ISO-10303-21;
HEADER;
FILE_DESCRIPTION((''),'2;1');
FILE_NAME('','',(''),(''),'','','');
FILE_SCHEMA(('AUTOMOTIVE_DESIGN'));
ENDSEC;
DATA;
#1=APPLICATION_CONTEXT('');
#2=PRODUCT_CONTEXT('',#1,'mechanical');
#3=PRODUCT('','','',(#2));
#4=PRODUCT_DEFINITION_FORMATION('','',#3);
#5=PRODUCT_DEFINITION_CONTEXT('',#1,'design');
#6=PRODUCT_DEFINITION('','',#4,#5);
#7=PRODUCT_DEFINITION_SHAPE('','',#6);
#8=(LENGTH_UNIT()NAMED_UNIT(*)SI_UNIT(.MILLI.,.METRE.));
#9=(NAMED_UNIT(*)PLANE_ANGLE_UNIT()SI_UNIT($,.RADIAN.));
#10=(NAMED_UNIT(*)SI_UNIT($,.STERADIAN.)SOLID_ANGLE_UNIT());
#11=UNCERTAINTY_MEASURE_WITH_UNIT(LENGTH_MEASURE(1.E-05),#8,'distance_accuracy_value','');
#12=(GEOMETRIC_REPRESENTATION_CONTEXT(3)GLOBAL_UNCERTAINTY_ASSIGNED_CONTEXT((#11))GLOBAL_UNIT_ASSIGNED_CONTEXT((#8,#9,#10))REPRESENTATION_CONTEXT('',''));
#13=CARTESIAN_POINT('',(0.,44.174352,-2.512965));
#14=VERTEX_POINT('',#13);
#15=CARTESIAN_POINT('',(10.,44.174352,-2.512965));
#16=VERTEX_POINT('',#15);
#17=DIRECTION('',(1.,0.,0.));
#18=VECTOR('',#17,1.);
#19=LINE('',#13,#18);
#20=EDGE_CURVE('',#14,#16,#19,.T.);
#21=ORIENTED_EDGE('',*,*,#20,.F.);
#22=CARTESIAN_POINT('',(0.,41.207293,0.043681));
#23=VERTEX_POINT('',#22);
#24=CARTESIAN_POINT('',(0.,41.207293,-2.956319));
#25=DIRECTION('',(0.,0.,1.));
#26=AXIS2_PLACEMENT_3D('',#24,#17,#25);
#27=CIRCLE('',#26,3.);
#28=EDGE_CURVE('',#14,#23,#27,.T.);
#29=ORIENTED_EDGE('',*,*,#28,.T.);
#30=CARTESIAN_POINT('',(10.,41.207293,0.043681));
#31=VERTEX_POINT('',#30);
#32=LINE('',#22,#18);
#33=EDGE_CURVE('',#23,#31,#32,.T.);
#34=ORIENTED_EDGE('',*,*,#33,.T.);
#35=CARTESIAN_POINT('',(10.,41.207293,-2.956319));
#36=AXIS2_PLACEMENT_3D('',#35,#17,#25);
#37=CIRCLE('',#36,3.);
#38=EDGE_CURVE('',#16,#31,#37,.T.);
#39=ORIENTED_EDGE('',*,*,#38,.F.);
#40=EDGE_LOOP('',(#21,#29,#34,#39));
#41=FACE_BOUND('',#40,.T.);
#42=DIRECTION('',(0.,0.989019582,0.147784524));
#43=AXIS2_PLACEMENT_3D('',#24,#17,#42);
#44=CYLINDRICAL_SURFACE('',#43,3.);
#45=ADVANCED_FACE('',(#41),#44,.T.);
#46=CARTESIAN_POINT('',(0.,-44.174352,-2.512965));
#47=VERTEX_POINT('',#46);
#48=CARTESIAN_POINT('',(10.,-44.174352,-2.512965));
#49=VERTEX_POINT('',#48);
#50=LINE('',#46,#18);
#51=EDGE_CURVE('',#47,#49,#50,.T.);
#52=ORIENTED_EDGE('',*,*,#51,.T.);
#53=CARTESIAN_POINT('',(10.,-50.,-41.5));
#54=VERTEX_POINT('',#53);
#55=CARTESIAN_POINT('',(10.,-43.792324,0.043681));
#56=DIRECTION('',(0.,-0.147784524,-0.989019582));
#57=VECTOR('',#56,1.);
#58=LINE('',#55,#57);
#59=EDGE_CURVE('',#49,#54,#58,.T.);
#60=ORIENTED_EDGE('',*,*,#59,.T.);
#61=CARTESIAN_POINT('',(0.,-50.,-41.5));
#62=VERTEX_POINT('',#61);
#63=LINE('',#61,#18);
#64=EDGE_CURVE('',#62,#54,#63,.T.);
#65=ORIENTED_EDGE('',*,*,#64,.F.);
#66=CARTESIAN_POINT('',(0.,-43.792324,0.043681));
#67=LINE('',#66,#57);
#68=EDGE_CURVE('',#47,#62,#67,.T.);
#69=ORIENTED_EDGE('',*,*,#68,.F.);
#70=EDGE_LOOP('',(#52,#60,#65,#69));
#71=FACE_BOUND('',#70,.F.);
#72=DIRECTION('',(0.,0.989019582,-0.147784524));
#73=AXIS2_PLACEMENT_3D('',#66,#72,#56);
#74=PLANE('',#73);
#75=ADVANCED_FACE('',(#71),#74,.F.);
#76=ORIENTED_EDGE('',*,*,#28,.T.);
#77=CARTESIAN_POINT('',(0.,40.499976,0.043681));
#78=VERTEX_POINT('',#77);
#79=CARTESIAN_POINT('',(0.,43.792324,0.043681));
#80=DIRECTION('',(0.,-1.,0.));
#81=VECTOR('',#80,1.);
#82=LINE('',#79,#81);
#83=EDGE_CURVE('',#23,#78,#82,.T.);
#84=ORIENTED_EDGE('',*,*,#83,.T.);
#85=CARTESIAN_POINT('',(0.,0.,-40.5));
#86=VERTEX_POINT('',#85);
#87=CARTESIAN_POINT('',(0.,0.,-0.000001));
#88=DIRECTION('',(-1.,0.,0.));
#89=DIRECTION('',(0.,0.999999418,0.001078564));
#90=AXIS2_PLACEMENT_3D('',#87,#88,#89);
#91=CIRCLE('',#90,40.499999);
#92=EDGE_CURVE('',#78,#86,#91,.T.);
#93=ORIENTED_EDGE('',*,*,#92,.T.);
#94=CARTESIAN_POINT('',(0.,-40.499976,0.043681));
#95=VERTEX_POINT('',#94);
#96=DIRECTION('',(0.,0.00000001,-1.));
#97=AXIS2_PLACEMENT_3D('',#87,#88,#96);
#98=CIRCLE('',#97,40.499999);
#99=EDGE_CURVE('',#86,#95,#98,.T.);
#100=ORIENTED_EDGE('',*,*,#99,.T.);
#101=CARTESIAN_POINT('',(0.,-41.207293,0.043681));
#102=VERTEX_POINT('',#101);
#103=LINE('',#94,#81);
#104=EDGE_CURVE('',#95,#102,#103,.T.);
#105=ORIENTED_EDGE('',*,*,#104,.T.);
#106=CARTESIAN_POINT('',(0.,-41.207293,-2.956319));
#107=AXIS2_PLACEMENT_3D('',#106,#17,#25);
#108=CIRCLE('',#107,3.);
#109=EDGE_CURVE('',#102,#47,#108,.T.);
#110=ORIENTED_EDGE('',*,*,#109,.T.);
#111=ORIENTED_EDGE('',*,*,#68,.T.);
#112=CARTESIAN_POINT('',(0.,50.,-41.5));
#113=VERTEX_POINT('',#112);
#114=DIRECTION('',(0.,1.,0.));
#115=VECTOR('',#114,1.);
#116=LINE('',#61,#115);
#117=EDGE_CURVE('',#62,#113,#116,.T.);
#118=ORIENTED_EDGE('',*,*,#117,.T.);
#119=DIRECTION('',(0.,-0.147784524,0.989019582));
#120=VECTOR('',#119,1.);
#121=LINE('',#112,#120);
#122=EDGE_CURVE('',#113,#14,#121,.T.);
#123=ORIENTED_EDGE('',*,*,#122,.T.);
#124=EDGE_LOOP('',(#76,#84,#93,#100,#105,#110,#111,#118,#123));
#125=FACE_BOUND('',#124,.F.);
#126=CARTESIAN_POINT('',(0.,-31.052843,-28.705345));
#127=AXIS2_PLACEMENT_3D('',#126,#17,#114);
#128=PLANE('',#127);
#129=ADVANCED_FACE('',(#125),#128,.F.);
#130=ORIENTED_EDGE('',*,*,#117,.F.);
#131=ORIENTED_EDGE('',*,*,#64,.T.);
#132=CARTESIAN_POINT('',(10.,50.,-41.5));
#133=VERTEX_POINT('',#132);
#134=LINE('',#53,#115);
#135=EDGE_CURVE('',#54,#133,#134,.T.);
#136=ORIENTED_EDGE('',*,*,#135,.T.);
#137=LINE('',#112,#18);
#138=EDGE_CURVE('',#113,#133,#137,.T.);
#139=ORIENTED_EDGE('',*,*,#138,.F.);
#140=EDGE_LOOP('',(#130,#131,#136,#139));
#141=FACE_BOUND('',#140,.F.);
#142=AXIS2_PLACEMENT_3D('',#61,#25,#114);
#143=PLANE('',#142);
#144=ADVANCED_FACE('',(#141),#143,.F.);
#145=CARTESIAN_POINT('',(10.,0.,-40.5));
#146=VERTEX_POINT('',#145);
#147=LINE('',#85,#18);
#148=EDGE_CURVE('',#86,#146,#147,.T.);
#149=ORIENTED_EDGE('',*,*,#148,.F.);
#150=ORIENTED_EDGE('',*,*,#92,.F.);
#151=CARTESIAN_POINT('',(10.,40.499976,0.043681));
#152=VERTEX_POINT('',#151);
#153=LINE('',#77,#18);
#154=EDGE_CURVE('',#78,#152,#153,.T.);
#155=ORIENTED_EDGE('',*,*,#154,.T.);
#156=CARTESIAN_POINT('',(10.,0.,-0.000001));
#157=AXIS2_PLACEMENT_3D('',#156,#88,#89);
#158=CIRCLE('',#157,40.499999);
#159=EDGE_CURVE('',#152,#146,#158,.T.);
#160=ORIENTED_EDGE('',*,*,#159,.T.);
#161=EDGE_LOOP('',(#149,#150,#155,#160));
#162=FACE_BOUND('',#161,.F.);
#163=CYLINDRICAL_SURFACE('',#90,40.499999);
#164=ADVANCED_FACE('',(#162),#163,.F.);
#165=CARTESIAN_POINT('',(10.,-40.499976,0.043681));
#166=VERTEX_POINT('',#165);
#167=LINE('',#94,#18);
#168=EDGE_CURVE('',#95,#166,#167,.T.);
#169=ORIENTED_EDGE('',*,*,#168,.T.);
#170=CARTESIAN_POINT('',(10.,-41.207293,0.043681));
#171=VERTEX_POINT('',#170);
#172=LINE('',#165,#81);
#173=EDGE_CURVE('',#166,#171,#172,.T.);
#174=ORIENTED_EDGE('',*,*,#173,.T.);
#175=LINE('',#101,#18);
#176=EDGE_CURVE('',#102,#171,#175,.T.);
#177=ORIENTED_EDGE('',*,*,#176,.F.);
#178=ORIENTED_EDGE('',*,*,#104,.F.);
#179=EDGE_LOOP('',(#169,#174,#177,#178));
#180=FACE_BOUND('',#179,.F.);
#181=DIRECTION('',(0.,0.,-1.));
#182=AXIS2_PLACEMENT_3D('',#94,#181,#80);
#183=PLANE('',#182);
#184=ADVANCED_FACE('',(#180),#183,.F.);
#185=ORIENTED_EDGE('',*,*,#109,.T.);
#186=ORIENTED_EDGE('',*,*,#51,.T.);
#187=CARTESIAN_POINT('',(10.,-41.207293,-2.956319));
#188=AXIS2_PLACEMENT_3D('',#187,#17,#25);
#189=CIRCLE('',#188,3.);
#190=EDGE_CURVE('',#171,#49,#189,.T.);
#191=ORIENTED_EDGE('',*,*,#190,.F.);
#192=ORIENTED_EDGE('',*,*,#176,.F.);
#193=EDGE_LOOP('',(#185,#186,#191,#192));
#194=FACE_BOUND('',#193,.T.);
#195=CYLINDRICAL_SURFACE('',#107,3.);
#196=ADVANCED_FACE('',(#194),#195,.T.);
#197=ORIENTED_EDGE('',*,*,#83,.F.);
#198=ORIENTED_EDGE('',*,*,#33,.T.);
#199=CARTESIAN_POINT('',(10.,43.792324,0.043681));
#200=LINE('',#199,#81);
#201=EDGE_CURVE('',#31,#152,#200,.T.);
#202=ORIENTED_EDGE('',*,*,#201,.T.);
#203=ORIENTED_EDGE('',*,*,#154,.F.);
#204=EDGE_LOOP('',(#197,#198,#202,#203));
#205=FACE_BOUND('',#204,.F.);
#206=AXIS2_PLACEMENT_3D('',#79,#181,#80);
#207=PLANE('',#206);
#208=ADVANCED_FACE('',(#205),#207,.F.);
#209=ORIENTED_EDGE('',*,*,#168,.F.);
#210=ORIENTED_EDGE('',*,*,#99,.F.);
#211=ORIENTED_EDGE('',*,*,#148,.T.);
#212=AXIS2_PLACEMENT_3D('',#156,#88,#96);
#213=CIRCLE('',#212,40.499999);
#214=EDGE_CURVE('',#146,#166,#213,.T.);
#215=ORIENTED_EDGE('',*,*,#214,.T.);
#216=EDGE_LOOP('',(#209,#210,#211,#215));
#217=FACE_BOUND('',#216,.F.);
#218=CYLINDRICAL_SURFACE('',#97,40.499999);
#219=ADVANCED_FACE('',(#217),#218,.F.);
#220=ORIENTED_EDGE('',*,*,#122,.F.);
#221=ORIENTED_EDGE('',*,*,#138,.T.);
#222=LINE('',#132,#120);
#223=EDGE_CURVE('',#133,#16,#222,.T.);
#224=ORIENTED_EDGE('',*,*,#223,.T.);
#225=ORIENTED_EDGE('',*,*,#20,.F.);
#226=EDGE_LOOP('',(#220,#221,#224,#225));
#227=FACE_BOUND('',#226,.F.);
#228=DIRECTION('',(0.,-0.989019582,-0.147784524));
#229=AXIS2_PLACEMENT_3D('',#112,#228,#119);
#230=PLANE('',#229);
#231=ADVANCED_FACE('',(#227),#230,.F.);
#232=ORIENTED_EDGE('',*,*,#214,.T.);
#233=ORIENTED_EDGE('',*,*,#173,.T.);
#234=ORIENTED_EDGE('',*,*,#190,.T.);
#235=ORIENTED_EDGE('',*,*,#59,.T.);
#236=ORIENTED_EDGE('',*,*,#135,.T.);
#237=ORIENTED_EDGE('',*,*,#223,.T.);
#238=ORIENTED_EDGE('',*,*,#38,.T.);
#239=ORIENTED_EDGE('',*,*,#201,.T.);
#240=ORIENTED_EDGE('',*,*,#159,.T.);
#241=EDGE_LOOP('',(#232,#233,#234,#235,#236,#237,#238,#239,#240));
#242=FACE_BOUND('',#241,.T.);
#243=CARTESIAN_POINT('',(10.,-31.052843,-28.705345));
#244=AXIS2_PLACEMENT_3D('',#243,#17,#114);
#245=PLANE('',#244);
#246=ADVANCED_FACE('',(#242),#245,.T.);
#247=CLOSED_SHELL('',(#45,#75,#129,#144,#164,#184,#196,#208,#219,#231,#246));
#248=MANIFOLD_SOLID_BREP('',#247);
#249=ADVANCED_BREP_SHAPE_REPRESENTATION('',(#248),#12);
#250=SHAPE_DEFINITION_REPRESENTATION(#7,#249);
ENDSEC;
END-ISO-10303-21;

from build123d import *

# Parameters (mm, degrees)
F1_DEPTH = 10
F2_R     = 3


with BuildPart() as f1:
    # F0 (on Right) → F1 (new body)
    with BuildSketch(Plane.YZ):
        with BuildLine():
            ThreePointArc((0, -40.5), (-28.653264, -28.622377), (-40.499976, 0.043681))
            Line((-40.499976, 0.043681), (-43.792324, 0.043681))
            Line((-43.792324, 0.043681), (-50, -41.5))
            Line((-50, -41.5), (0, -41.5))
            Line((0, -41.5), (0, -40.5))
        make_face()
        with BuildLine():
            ThreePointArc((40.499976, 0.043681), (28.653264, -28.622377), (0, -40.5))
            Line((0, -40.5), (0, -41.5))
            Line((0, -41.5), (50, -41.5))
            Line((50, -41.5), (43.792324, 0.043681))
            Line((43.792324, 0.043681), (40.499976, 0.043681))
        make_face()
    extrude(amount=F1_DEPTH)

    # F2
    f2_edges = [f1.edges().sort_by_distance(p)[0] for p in [
        (5, -43.792324, 0.043681),
        (5, 43.792324, 0.043681),
    ]]
    fillet(f2_edges, radius=F2_R)


solid = f1.part
